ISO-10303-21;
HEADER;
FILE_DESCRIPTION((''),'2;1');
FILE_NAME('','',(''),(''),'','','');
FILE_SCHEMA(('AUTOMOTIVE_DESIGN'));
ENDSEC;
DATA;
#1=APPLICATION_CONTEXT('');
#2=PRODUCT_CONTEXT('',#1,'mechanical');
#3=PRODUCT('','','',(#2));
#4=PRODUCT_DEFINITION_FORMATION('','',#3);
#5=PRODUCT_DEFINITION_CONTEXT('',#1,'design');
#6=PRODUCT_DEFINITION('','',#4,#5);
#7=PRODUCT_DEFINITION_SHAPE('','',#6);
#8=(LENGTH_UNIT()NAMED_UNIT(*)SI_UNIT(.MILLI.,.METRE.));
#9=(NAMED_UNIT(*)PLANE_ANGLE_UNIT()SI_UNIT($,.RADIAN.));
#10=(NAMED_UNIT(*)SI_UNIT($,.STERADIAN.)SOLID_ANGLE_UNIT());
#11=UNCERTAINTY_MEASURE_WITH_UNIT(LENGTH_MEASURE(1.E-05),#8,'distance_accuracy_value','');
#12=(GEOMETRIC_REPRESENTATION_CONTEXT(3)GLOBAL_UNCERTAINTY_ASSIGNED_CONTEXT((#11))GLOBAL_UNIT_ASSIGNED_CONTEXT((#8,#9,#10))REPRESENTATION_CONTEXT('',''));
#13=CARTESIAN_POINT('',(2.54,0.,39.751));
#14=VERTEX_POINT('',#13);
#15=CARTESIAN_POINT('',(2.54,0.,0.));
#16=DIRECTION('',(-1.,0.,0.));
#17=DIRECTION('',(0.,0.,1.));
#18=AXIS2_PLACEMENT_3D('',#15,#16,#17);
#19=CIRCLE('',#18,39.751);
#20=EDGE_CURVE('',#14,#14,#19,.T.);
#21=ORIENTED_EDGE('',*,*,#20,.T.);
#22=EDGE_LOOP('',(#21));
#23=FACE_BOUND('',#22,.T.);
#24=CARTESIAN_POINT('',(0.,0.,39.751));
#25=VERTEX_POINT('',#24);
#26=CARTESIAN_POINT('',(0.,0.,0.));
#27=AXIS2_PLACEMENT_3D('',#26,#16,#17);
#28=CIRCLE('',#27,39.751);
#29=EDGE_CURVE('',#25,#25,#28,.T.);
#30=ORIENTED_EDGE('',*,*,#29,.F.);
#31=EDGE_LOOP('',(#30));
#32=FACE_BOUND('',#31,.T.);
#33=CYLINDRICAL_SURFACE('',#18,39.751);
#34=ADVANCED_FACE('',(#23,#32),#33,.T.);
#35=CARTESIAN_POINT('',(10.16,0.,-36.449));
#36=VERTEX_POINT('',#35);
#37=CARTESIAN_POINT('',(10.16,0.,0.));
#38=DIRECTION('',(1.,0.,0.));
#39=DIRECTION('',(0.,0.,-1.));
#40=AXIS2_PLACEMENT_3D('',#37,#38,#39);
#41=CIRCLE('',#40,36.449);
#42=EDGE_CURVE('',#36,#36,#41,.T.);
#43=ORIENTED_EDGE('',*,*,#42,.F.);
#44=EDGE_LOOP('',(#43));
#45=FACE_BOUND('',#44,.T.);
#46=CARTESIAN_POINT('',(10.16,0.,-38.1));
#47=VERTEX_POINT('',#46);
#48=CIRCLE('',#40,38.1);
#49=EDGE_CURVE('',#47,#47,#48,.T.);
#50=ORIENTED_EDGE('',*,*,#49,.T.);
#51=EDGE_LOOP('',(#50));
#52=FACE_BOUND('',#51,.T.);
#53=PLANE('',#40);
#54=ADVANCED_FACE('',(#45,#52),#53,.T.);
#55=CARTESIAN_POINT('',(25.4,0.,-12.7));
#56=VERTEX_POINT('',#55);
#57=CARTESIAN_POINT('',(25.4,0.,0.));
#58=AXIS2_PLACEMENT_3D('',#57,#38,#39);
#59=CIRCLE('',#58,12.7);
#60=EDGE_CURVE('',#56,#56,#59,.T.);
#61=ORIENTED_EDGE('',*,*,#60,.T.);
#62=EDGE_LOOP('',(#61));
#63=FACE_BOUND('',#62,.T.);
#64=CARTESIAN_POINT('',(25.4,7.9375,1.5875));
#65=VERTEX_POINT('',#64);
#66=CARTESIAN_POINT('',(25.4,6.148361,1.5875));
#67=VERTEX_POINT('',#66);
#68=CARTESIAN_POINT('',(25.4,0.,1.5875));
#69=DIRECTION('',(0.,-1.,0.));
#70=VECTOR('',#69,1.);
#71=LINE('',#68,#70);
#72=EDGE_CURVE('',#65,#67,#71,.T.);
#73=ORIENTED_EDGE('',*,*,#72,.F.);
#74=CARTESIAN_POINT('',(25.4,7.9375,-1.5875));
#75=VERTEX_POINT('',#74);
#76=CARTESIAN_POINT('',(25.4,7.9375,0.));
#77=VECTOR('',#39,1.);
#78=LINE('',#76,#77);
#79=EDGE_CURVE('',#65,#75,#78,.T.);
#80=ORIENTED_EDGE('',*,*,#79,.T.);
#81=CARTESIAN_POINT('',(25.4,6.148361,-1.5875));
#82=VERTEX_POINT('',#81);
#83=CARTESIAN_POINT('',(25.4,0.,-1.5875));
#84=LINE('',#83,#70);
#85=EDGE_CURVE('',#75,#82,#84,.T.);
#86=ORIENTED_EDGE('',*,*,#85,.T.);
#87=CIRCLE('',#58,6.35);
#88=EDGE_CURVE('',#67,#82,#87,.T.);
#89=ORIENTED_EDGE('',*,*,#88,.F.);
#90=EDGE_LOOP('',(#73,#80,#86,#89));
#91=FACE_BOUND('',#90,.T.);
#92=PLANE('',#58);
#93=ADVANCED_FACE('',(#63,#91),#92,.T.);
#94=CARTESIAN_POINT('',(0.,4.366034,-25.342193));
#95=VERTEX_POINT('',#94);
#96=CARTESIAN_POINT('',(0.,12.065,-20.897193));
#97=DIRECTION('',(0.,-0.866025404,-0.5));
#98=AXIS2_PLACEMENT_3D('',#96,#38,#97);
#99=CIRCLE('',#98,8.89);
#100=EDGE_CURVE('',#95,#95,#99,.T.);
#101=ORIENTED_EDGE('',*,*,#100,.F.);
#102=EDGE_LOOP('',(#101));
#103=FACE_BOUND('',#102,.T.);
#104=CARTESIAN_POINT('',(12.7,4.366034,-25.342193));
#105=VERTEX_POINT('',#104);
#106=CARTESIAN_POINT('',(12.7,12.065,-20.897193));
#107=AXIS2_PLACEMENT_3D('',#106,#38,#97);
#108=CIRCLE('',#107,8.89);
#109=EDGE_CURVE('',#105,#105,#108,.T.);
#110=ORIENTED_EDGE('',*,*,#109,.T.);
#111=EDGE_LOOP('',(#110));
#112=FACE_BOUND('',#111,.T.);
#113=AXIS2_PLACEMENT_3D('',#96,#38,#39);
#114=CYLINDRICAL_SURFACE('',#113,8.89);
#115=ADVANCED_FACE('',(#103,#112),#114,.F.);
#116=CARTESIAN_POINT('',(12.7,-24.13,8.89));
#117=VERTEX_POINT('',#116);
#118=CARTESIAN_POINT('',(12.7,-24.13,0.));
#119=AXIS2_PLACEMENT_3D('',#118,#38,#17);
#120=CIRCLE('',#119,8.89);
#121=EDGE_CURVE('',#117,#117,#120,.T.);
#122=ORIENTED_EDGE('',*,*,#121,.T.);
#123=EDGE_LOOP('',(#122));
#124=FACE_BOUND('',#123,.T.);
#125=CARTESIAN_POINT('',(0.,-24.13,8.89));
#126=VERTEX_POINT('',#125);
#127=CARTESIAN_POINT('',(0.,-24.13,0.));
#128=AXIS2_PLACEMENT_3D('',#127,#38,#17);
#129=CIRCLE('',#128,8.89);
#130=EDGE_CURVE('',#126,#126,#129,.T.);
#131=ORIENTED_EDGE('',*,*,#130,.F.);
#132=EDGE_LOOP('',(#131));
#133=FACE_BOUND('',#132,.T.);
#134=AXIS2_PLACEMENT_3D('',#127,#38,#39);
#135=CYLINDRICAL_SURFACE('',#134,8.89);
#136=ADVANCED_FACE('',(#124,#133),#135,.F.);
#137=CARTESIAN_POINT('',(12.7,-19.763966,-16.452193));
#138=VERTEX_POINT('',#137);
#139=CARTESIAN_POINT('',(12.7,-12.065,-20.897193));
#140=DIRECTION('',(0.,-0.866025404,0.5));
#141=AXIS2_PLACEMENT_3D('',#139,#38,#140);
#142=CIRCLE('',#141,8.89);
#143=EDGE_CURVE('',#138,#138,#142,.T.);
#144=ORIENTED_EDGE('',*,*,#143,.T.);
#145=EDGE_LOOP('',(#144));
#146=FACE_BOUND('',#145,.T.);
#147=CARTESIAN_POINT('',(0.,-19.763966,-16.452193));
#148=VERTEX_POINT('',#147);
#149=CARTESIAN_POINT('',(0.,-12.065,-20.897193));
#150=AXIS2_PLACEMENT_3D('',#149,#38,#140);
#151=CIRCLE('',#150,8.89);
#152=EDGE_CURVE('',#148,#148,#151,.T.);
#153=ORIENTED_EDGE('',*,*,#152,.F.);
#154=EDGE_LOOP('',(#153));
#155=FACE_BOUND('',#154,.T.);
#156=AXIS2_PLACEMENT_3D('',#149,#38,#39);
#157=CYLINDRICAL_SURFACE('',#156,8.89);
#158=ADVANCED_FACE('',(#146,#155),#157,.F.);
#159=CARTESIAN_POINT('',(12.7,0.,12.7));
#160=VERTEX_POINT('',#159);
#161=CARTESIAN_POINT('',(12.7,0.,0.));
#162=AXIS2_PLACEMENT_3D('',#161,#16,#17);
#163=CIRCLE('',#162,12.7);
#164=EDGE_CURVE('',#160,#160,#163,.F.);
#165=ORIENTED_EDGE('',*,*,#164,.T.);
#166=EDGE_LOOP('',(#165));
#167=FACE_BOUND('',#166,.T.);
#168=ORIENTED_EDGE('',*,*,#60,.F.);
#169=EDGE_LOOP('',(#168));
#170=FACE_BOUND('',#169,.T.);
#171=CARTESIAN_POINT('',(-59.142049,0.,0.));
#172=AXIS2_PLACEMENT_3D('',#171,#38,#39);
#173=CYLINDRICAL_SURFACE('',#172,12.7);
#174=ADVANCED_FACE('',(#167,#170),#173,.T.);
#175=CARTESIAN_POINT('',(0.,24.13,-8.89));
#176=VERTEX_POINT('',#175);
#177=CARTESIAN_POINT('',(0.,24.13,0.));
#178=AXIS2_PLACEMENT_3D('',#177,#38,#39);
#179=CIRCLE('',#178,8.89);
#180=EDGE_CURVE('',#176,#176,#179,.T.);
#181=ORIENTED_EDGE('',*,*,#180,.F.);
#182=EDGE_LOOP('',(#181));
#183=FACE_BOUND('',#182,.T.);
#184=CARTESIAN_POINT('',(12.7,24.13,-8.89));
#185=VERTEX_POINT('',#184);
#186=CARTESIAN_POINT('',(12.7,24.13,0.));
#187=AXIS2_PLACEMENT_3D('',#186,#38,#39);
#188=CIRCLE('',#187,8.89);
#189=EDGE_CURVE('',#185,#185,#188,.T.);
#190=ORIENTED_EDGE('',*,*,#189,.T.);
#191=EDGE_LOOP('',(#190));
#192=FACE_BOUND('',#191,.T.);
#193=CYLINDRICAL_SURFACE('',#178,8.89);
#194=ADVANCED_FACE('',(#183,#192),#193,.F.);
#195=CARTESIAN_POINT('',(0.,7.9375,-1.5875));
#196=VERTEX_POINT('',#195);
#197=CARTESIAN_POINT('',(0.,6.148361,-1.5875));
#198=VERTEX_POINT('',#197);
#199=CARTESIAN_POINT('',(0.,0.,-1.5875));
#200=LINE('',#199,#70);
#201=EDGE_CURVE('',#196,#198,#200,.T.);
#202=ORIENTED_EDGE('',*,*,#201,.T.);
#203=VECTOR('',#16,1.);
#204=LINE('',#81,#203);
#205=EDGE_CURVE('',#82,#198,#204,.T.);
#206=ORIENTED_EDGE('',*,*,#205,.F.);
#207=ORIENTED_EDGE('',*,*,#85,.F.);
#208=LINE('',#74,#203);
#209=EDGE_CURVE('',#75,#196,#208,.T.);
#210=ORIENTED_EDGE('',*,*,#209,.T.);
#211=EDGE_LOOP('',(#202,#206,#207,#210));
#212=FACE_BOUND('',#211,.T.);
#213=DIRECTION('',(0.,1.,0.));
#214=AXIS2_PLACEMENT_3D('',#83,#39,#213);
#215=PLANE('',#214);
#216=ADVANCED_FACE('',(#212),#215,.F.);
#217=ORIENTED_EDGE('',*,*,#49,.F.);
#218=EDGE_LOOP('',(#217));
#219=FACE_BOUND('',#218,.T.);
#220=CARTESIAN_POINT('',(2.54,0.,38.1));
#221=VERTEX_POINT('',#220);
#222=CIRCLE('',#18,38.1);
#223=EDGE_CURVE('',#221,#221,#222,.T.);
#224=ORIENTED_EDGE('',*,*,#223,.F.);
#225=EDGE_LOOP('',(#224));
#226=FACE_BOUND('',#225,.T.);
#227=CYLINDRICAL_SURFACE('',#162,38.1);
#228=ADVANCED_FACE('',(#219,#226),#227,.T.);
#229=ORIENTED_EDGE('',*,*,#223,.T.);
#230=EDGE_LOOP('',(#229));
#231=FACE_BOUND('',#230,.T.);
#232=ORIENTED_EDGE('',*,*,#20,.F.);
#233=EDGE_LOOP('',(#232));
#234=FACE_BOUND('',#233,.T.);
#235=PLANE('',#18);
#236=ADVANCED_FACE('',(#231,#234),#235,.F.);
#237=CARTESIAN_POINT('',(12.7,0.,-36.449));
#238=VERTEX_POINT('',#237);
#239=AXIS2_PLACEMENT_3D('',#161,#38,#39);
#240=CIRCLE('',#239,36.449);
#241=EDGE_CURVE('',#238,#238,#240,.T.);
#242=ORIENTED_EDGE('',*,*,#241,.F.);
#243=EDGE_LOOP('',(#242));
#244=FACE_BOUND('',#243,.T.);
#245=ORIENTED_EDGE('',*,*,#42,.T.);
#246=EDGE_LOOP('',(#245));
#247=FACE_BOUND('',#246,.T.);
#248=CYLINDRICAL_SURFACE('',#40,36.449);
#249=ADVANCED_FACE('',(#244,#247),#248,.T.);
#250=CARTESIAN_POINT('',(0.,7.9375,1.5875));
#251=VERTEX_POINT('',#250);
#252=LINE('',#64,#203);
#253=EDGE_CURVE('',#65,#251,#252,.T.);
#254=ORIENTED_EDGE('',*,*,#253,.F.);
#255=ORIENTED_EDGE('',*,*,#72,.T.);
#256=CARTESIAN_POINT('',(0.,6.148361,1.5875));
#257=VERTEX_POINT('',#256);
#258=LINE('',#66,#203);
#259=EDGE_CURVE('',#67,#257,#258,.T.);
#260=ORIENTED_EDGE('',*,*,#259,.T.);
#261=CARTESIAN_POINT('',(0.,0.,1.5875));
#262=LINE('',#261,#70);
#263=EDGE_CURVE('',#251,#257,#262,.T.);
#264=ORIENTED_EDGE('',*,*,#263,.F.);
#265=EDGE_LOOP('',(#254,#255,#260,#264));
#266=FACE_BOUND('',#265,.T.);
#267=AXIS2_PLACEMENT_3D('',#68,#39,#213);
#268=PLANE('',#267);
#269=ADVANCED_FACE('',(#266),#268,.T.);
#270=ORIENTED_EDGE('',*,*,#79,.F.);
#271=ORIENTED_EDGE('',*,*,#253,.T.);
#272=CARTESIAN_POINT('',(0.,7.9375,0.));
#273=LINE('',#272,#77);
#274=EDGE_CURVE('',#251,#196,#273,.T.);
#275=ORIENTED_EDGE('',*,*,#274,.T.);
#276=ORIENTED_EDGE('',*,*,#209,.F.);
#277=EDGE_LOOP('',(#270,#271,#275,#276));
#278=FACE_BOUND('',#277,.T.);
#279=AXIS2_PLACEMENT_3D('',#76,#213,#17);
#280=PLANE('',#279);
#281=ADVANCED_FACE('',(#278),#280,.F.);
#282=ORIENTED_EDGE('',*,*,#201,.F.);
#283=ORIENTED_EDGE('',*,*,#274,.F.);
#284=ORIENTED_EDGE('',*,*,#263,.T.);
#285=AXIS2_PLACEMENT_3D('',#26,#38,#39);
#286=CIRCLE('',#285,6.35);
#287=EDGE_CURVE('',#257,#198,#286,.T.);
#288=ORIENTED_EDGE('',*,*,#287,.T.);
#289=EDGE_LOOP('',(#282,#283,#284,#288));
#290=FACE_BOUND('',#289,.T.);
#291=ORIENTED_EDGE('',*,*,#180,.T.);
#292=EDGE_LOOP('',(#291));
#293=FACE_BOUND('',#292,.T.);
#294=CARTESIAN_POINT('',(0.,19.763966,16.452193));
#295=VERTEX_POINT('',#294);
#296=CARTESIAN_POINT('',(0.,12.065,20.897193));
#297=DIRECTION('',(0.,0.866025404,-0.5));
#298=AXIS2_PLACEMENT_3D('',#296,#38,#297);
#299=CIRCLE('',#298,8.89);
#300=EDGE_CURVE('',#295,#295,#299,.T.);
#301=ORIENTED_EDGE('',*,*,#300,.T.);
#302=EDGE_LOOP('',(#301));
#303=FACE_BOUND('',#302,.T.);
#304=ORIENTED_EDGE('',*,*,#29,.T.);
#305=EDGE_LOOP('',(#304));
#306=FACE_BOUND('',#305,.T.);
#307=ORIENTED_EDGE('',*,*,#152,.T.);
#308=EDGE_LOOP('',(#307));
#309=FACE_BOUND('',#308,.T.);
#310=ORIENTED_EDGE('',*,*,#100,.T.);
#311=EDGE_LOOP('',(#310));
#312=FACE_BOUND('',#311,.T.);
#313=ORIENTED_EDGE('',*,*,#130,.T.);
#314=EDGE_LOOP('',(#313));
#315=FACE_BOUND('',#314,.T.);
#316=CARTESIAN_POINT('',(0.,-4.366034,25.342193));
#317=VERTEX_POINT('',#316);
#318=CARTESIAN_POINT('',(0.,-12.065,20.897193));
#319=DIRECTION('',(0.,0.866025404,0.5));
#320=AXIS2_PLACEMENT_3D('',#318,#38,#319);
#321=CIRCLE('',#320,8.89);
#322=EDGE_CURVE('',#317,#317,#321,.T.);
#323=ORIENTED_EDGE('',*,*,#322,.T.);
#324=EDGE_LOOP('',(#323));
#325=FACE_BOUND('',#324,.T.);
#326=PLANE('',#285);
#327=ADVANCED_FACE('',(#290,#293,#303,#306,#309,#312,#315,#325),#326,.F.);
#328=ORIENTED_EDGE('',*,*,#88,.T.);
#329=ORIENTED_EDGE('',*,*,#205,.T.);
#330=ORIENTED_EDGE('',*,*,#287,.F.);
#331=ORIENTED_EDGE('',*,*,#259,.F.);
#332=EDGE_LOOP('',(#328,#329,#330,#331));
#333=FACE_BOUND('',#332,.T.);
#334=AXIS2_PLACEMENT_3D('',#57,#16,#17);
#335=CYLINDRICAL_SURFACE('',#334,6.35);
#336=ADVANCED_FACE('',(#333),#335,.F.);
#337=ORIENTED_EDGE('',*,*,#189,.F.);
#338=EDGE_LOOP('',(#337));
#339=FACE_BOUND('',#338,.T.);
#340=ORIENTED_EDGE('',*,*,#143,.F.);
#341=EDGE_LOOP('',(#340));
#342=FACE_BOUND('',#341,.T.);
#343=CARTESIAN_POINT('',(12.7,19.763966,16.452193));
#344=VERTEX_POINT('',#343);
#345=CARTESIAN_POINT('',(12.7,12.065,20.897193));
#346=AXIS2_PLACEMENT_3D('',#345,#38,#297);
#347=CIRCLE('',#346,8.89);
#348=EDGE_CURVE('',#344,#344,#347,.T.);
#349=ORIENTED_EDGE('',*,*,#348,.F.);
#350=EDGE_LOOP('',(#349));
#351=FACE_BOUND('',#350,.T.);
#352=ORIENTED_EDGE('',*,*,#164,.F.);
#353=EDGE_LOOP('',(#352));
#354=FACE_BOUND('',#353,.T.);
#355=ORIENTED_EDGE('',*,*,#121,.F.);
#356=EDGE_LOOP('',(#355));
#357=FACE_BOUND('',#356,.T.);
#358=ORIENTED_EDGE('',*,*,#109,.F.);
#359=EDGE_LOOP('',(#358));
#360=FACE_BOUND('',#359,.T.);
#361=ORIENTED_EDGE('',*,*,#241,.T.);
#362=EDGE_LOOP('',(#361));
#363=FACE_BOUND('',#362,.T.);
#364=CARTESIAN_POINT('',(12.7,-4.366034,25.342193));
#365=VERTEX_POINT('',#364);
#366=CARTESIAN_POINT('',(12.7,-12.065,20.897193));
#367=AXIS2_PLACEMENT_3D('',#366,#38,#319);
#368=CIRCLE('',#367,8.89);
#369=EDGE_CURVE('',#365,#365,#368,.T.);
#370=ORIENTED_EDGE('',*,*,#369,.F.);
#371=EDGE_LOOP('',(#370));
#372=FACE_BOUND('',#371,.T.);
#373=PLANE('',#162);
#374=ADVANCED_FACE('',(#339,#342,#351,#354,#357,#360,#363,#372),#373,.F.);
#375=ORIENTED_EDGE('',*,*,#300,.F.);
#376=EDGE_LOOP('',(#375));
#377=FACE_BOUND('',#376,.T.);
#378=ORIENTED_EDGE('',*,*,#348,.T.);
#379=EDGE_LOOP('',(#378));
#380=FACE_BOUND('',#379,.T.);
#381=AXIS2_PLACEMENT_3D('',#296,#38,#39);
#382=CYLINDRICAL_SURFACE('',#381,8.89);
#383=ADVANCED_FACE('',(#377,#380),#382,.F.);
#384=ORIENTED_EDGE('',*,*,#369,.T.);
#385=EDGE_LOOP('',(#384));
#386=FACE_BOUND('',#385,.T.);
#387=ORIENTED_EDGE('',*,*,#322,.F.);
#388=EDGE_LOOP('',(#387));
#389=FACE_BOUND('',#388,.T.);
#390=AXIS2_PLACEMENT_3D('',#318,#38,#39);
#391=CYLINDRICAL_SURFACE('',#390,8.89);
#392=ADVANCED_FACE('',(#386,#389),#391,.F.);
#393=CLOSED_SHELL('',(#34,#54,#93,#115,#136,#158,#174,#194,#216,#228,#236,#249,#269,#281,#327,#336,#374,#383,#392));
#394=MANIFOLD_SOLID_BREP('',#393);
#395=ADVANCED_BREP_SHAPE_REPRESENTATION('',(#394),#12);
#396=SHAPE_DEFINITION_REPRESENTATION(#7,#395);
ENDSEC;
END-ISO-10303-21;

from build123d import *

# Parameters (mm, degrees)
SKETCH1_R           = 25.4
BOSS_EXTRUDE1_DEPTH = 25.4
SKETCH2_R           = 38.1
SKETCH2_R_2         = 10.9140625
BOSS_EXTRUDE2_DEPTH = 12.7
SKETCH3_R           = 25.4
SKETCH3_R_2         = 12.7
CUT_EXTRUDE1_DEPTH  = 12.7
SKETCH4_R           = 8.89
CUT_EXTRUDE2_DEPTH  = 13.7
CIRPATTERN1_COUNT   = 6
SKETCH5_R           = 39.751
SKETCH5_R_2         = 38.1
BOSS_EXTRUDE3_DEPTH = 2.54
SKETCH6_R           = 38.1
SKETCH6_R_2         = 36.449
CUT_EXTRUDE3_DEPTH  = 2.54


with BuildPart() as part:
    # Sketch1 → Boss-Extrude1 (new body)
    with BuildSketch(Plane(origin=(0, 0, 0), x_dir=(0, 0, -1), z_dir=(1, 0, 0))):
        Circle(SKETCH1_R)
        with BuildLine():
            Line((-1.5875, 6.148361062), (-1.5875, 7.9375))
            Line((-1.5875, 7.9375), (1.5875, 7.9375))
            Line((1.5875, 7.9375), (1.5875, 6.148361062))
            ThreePointArc((1.5875, 6.148361062), (5.020115786, 3.888564967), (6.35, 0))
            ThreePointArc((6.35, 0), (-3.888564967, -5.020115786), (-1.5875, 6.148361062))
        make_face(mode=Mode.SUBTRACT)
    extrude(amount=BOSS_EXTRUDE1_DEPTH)

    # Sketch2 → Boss-Extrude2 (add)
    with BuildSketch(Plane.ZY):
        Circle(SKETCH2_R)
        Circle(SKETCH2_R_2, mode=Mode.SUBTRACT)
    extrude(amount=-BOSS_EXTRUDE2_DEPTH)

    # Sketch3 → Cut-Extrude1 (cut)
    with BuildSketch(Plane(origin=(25.4, 0, 0), x_dir=(0, 0, -1), z_dir=(1, 0, 0))):
        Circle(SKETCH3_R)
        Circle(SKETCH3_R_2, mode=Mode.SUBTRACT)
    extrude(amount=-CUT_EXTRUDE1_DEPTH, mode=Mode.SUBTRACT)

    # Sketch4 → Cut-Extrude2 (cut, through all)
    with BuildSketch(Plane(origin=(12.7, 0, 0), x_dir=(0, 0, -1), z_dir=(1, 0, 0))):
        with Locations((0, 24.13)):
            Circle(SKETCH4_R)
    cut_extrude2 = extrude(amount=-CUT_EXTRUDE2_DEPTH, mode=Mode.SUBTRACT)

    # CirPattern1: Cut-Extrude2 ×6 about axis
    cirpattern1_axis = Axis((0, 0, 0), (1, 0, 0))
    for i in range(1, CIRPATTERN1_COUNT):
        add(cut_extrude2.rotate(cirpattern1_axis, i * 360 / CIRPATTERN1_COUNT), mode=Mode.SUBTRACT)

    # Sketch5 → Boss-Extrude3 (add)
    with BuildSketch(Plane.ZY):
        Circle(SKETCH5_R)
        Circle(SKETCH5_R_2, mode=Mode.SUBTRACT)
    extrude(amount=-BOSS_EXTRUDE3_DEPTH)

    # Sketch6 → Cut-Extrude3 (cut)
    with BuildSketch(Plane(origin=(12.7, 0, 0), x_dir=(0, 0, -1), z_dir=(1, 0, 0))):
        Circle(SKETCH6_R)
        Circle(SKETCH6_R_2, mode=Mode.SUBTRACT)
    extrude(amount=-CUT_EXTRUDE3_DEPTH, mode=Mode.SUBTRACT)


solid = part.part
